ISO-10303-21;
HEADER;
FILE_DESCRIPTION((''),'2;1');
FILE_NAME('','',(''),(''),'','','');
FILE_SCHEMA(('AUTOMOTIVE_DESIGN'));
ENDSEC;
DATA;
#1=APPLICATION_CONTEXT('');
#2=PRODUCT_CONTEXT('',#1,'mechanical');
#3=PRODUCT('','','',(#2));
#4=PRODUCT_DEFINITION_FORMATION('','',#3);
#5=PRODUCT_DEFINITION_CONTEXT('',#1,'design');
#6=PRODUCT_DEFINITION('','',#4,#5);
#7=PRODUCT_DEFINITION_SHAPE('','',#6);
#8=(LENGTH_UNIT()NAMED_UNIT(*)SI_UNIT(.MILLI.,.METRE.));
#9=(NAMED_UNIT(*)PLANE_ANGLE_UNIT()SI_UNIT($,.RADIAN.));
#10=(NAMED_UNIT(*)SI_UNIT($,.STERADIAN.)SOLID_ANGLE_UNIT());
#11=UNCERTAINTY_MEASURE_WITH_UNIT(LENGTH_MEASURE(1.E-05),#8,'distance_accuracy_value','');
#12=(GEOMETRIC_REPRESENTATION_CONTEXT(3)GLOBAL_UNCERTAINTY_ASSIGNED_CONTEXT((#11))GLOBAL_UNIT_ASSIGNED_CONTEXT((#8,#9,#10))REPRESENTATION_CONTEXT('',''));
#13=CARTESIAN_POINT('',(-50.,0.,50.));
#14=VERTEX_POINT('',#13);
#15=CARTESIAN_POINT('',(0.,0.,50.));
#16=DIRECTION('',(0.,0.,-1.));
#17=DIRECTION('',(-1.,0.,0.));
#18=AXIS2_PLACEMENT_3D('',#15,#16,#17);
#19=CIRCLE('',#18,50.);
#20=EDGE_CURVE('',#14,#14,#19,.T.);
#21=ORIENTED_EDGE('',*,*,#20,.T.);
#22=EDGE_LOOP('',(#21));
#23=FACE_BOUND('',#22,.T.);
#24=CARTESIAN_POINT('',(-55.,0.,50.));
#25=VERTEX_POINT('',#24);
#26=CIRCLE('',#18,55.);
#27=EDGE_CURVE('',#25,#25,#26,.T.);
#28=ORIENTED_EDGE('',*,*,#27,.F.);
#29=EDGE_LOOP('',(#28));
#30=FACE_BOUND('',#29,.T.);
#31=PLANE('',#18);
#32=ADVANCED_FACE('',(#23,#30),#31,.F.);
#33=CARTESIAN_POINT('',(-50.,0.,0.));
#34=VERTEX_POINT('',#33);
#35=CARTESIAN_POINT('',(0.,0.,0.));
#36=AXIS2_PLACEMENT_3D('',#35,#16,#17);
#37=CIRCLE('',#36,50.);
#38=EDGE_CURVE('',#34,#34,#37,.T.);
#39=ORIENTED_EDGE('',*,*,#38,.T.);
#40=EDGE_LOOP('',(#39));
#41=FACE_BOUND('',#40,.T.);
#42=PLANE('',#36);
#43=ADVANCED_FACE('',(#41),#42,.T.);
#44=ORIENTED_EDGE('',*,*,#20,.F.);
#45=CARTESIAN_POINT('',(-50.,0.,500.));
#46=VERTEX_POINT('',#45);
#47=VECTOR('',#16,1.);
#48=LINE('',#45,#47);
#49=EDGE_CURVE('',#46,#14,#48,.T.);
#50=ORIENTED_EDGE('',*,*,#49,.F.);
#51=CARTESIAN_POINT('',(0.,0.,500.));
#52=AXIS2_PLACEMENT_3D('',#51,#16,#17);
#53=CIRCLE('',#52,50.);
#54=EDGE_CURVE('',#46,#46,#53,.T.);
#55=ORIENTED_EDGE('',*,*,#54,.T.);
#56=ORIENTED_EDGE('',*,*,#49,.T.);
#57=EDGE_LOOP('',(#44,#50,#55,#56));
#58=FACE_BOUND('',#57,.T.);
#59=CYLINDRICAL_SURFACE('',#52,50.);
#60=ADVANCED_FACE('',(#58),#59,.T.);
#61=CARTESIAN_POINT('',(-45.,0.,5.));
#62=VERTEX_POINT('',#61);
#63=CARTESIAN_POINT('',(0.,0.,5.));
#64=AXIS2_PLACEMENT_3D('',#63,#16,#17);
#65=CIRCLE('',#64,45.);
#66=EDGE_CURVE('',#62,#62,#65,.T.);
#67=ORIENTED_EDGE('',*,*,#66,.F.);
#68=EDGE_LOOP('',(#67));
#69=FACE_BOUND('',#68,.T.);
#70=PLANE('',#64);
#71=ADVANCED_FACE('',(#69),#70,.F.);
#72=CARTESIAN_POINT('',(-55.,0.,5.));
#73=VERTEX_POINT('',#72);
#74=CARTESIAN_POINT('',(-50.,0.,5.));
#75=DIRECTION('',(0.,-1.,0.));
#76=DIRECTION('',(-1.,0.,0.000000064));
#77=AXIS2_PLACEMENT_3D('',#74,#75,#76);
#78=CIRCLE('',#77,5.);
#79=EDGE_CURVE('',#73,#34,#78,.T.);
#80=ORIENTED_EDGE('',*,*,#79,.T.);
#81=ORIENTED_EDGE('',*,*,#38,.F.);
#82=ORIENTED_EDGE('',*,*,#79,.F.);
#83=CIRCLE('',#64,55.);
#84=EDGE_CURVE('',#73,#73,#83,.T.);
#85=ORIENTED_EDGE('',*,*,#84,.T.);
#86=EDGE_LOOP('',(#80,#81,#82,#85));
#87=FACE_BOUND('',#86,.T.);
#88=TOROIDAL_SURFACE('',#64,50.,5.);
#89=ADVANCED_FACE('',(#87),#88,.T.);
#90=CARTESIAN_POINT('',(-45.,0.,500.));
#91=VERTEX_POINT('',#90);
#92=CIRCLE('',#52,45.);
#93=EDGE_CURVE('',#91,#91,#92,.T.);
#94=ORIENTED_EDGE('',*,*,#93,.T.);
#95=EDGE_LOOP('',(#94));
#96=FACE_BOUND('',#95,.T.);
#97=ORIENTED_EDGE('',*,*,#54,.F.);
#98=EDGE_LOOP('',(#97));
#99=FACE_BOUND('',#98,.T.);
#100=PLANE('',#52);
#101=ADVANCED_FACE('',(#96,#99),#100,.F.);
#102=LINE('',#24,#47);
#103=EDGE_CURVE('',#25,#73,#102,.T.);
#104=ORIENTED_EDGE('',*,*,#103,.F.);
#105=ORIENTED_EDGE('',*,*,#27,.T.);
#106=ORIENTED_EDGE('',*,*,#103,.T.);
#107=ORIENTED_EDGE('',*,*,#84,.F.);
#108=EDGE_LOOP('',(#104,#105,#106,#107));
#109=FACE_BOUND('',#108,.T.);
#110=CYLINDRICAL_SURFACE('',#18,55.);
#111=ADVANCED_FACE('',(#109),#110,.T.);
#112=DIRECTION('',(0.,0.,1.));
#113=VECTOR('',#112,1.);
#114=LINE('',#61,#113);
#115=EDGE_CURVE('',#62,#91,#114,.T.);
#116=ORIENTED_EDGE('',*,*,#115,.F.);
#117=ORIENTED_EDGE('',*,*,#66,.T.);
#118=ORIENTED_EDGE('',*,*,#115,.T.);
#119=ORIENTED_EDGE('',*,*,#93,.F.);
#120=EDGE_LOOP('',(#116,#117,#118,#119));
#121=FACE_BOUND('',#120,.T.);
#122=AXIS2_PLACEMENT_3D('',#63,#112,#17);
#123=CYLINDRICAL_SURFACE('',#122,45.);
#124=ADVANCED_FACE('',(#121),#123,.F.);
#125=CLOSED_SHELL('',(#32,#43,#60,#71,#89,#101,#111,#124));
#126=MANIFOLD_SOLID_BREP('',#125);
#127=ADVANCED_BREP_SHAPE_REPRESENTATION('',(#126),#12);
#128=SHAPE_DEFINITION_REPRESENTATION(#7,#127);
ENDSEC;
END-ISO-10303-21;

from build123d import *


with BuildPart() as f1:
    # F0 (on Front) → F1 (revolve)
    with BuildSketch(Plane.XZ):
        with BuildLine():
            ThreePointArc((-55, 5), (-53.535534, 1.464466), (-50, 0))
            Line((-50, 0), (-50, 50))
            Line((-50, 50), (-55, 50))
            Line((-55, 50), (-55, 5))
        make_face()
        Polygon((-50, 0), (0, 0), (0, 5), (-45, 5), (-45, 500), (-50, 500), (-50, 50), align=None)
    revolve(axis=Axis((0, 0, 252.5), (0, 0, -1)))


solid = f1.part
